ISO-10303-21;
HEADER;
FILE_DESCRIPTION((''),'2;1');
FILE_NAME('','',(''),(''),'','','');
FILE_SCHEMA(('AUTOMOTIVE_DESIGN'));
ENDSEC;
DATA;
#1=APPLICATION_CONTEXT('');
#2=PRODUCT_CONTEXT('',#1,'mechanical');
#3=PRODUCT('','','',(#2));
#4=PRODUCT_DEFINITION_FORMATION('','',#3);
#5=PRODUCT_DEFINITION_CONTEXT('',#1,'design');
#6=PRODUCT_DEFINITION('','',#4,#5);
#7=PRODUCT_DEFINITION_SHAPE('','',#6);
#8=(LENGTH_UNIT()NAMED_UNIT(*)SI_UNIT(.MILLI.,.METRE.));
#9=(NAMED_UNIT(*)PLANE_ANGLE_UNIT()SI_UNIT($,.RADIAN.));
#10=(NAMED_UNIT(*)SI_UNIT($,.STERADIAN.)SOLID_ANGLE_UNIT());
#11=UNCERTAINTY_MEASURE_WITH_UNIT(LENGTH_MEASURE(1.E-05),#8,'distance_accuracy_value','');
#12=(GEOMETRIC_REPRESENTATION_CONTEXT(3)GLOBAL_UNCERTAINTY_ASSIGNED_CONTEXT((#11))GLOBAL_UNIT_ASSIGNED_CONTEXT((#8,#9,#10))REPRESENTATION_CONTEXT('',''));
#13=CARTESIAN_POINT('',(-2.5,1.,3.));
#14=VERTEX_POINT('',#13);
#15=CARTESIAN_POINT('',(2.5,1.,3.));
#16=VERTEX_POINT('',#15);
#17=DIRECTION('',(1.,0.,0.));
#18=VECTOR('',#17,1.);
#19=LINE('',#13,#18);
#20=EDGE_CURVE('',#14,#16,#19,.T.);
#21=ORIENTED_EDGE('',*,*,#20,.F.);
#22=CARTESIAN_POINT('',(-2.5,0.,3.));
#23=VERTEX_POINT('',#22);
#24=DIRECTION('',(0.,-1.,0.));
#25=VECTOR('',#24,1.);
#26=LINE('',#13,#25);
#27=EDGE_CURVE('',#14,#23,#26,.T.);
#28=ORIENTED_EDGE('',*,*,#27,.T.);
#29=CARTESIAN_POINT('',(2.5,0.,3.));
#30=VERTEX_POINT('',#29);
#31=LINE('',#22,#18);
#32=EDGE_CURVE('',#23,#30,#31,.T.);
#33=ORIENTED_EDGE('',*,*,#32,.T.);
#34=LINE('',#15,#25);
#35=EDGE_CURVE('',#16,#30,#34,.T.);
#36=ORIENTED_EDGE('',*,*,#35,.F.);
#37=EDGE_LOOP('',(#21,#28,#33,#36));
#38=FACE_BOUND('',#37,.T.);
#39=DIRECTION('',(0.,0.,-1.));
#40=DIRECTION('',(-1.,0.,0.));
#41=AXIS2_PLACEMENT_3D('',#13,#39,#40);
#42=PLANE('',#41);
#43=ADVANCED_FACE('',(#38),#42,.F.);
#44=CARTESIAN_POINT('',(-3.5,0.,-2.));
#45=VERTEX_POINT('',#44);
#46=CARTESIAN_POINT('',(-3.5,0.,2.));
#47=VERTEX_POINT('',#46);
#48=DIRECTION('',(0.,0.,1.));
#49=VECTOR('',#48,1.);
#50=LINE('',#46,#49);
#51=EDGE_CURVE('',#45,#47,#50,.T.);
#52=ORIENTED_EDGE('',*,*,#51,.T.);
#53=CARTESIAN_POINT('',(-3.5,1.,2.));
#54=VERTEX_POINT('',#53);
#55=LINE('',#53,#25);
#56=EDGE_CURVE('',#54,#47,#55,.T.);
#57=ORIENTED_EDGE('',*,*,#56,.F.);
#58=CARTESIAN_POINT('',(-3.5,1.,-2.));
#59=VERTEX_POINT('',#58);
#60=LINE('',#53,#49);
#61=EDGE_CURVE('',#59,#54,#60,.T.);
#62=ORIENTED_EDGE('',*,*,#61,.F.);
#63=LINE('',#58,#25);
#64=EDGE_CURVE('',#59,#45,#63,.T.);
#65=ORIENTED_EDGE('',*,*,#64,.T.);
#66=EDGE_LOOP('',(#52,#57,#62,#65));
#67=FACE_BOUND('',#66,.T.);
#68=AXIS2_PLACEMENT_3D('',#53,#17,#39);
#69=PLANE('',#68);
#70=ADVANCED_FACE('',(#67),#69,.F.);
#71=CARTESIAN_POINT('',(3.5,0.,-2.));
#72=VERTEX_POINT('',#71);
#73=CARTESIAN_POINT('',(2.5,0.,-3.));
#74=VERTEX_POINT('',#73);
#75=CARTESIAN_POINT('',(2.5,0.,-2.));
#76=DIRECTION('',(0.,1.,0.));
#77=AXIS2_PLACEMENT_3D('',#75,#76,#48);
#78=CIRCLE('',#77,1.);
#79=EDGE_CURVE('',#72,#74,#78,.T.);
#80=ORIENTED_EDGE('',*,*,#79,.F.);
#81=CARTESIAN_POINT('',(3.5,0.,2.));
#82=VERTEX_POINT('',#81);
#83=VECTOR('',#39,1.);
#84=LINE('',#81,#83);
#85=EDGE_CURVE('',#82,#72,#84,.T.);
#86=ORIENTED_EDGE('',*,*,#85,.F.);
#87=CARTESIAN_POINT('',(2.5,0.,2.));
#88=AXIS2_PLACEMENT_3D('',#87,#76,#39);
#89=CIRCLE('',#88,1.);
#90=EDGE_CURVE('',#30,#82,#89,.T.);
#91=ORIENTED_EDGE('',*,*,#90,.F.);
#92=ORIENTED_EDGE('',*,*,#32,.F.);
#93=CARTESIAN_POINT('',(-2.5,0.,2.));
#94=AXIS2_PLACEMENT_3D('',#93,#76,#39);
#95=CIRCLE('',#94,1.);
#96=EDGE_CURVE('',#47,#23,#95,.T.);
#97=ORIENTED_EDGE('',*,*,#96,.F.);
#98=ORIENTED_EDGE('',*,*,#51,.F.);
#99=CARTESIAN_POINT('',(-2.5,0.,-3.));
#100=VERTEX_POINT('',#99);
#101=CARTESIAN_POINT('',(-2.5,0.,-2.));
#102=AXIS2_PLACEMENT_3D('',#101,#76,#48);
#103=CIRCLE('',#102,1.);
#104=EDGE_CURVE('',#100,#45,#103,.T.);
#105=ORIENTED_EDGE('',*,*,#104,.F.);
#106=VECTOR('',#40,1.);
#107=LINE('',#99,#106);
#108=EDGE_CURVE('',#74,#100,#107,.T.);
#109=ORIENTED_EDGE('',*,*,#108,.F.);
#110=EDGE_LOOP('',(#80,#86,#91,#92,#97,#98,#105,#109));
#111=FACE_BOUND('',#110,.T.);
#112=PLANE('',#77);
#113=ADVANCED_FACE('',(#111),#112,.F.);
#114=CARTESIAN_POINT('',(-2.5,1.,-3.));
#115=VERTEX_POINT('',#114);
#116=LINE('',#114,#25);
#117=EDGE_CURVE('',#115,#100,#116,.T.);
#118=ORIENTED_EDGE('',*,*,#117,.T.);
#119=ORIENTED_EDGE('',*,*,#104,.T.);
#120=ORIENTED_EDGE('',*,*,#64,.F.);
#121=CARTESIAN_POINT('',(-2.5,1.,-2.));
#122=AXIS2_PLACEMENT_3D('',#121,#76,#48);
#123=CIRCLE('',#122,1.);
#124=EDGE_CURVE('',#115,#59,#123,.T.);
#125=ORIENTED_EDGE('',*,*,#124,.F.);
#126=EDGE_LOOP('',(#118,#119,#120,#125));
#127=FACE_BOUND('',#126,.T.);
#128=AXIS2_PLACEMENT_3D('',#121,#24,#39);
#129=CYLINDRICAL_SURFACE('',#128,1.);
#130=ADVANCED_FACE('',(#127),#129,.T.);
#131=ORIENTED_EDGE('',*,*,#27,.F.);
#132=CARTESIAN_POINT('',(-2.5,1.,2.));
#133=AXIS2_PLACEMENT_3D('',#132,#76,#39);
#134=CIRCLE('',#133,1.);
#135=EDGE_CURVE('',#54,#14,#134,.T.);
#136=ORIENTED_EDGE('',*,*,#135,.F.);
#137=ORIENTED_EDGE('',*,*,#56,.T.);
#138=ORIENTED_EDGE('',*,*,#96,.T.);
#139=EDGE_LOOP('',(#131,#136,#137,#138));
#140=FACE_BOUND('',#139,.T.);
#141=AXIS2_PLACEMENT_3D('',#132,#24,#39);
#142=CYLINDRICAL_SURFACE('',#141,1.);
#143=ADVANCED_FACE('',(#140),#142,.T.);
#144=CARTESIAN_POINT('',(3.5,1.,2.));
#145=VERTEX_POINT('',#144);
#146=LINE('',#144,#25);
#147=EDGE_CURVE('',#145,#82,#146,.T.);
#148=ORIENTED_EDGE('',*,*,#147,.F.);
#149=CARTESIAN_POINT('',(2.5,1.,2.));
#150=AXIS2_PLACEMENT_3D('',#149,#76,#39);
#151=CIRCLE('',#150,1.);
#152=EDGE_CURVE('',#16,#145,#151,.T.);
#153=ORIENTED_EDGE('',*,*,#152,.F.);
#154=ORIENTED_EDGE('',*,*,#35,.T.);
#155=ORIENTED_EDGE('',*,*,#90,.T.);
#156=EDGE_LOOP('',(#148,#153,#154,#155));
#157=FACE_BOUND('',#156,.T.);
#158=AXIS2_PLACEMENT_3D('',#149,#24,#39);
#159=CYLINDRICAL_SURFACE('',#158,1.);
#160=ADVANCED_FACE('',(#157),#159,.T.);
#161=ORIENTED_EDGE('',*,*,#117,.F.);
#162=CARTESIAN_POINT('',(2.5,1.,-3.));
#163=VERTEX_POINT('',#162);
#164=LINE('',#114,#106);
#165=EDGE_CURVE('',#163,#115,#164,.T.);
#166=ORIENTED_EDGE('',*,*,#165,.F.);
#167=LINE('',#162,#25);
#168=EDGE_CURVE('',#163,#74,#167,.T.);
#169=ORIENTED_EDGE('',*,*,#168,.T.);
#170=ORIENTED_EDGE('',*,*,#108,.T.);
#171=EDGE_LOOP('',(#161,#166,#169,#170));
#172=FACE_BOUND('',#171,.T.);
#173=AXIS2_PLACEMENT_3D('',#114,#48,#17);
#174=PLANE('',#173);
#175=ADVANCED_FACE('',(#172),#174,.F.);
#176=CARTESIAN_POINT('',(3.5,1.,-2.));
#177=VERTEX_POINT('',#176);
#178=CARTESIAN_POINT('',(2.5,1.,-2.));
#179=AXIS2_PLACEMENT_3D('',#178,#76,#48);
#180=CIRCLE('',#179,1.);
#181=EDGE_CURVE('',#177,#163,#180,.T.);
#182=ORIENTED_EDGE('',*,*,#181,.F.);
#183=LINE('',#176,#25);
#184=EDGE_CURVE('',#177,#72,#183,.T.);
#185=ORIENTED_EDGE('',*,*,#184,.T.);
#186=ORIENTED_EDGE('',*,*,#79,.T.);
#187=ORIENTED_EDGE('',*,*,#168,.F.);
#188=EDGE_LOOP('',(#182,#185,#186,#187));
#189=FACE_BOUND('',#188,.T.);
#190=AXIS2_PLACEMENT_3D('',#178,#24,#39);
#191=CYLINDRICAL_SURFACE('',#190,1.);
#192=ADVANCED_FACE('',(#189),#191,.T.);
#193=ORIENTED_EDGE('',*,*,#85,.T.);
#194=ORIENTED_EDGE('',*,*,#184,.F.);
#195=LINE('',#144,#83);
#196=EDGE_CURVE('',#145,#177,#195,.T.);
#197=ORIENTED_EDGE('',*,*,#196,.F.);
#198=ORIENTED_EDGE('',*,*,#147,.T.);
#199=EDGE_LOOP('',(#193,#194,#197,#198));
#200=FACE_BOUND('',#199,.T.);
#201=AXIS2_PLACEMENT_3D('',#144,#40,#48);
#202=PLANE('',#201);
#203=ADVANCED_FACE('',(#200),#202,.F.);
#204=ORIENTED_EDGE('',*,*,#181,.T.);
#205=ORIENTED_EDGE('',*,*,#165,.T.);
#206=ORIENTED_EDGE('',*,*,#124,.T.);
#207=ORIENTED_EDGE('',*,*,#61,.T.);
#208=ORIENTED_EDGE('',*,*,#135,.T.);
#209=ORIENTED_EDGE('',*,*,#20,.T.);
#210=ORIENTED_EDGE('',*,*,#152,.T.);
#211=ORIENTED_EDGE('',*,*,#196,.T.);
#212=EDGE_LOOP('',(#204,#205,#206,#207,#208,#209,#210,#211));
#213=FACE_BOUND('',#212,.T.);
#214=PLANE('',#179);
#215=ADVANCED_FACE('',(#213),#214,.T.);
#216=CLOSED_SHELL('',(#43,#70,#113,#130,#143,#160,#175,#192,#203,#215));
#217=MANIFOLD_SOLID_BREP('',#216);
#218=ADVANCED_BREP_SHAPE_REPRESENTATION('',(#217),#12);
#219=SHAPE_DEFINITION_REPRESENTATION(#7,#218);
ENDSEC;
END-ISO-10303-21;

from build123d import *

# Parameters (mm, degrees)
RESSALTO_EXTRUS_O1_DEPTH = 1


with BuildPart() as part:
    # Esboço1 → Ressalto-extrusão1 (new body)
    with BuildSketch(Plane(origin=(0, 0, 0), x_dir=(1, 0, 0), z_dir=(0, 1, 0))):
        with BuildLine():
            Line((-2.5, -3), (2.5, -3))
            ThreePointArc((2.5, -3), (3.207106781, -2.707106781), (3.5, -2))
            Line((3.5, -2), (3.5, 2))
            ThreePointArc((3.5, 2), (3.207106781, 2.707106781), (2.5, 3))
            Line((2.5, 3), (-2.5, 3))
            ThreePointArc((-2.5, 3), (-3.207106781, 2.707106781), (-3.5, 2))
            Line((-3.5, 2), (-3.5, -2))
            ThreePointArc((-3.5, -2), (-3.207106781, -2.707106781), (-2.5, -3))
        make_face()
    extrude(amount=RESSALTO_EXTRUS_O1_DEPTH)


solid = part.part
